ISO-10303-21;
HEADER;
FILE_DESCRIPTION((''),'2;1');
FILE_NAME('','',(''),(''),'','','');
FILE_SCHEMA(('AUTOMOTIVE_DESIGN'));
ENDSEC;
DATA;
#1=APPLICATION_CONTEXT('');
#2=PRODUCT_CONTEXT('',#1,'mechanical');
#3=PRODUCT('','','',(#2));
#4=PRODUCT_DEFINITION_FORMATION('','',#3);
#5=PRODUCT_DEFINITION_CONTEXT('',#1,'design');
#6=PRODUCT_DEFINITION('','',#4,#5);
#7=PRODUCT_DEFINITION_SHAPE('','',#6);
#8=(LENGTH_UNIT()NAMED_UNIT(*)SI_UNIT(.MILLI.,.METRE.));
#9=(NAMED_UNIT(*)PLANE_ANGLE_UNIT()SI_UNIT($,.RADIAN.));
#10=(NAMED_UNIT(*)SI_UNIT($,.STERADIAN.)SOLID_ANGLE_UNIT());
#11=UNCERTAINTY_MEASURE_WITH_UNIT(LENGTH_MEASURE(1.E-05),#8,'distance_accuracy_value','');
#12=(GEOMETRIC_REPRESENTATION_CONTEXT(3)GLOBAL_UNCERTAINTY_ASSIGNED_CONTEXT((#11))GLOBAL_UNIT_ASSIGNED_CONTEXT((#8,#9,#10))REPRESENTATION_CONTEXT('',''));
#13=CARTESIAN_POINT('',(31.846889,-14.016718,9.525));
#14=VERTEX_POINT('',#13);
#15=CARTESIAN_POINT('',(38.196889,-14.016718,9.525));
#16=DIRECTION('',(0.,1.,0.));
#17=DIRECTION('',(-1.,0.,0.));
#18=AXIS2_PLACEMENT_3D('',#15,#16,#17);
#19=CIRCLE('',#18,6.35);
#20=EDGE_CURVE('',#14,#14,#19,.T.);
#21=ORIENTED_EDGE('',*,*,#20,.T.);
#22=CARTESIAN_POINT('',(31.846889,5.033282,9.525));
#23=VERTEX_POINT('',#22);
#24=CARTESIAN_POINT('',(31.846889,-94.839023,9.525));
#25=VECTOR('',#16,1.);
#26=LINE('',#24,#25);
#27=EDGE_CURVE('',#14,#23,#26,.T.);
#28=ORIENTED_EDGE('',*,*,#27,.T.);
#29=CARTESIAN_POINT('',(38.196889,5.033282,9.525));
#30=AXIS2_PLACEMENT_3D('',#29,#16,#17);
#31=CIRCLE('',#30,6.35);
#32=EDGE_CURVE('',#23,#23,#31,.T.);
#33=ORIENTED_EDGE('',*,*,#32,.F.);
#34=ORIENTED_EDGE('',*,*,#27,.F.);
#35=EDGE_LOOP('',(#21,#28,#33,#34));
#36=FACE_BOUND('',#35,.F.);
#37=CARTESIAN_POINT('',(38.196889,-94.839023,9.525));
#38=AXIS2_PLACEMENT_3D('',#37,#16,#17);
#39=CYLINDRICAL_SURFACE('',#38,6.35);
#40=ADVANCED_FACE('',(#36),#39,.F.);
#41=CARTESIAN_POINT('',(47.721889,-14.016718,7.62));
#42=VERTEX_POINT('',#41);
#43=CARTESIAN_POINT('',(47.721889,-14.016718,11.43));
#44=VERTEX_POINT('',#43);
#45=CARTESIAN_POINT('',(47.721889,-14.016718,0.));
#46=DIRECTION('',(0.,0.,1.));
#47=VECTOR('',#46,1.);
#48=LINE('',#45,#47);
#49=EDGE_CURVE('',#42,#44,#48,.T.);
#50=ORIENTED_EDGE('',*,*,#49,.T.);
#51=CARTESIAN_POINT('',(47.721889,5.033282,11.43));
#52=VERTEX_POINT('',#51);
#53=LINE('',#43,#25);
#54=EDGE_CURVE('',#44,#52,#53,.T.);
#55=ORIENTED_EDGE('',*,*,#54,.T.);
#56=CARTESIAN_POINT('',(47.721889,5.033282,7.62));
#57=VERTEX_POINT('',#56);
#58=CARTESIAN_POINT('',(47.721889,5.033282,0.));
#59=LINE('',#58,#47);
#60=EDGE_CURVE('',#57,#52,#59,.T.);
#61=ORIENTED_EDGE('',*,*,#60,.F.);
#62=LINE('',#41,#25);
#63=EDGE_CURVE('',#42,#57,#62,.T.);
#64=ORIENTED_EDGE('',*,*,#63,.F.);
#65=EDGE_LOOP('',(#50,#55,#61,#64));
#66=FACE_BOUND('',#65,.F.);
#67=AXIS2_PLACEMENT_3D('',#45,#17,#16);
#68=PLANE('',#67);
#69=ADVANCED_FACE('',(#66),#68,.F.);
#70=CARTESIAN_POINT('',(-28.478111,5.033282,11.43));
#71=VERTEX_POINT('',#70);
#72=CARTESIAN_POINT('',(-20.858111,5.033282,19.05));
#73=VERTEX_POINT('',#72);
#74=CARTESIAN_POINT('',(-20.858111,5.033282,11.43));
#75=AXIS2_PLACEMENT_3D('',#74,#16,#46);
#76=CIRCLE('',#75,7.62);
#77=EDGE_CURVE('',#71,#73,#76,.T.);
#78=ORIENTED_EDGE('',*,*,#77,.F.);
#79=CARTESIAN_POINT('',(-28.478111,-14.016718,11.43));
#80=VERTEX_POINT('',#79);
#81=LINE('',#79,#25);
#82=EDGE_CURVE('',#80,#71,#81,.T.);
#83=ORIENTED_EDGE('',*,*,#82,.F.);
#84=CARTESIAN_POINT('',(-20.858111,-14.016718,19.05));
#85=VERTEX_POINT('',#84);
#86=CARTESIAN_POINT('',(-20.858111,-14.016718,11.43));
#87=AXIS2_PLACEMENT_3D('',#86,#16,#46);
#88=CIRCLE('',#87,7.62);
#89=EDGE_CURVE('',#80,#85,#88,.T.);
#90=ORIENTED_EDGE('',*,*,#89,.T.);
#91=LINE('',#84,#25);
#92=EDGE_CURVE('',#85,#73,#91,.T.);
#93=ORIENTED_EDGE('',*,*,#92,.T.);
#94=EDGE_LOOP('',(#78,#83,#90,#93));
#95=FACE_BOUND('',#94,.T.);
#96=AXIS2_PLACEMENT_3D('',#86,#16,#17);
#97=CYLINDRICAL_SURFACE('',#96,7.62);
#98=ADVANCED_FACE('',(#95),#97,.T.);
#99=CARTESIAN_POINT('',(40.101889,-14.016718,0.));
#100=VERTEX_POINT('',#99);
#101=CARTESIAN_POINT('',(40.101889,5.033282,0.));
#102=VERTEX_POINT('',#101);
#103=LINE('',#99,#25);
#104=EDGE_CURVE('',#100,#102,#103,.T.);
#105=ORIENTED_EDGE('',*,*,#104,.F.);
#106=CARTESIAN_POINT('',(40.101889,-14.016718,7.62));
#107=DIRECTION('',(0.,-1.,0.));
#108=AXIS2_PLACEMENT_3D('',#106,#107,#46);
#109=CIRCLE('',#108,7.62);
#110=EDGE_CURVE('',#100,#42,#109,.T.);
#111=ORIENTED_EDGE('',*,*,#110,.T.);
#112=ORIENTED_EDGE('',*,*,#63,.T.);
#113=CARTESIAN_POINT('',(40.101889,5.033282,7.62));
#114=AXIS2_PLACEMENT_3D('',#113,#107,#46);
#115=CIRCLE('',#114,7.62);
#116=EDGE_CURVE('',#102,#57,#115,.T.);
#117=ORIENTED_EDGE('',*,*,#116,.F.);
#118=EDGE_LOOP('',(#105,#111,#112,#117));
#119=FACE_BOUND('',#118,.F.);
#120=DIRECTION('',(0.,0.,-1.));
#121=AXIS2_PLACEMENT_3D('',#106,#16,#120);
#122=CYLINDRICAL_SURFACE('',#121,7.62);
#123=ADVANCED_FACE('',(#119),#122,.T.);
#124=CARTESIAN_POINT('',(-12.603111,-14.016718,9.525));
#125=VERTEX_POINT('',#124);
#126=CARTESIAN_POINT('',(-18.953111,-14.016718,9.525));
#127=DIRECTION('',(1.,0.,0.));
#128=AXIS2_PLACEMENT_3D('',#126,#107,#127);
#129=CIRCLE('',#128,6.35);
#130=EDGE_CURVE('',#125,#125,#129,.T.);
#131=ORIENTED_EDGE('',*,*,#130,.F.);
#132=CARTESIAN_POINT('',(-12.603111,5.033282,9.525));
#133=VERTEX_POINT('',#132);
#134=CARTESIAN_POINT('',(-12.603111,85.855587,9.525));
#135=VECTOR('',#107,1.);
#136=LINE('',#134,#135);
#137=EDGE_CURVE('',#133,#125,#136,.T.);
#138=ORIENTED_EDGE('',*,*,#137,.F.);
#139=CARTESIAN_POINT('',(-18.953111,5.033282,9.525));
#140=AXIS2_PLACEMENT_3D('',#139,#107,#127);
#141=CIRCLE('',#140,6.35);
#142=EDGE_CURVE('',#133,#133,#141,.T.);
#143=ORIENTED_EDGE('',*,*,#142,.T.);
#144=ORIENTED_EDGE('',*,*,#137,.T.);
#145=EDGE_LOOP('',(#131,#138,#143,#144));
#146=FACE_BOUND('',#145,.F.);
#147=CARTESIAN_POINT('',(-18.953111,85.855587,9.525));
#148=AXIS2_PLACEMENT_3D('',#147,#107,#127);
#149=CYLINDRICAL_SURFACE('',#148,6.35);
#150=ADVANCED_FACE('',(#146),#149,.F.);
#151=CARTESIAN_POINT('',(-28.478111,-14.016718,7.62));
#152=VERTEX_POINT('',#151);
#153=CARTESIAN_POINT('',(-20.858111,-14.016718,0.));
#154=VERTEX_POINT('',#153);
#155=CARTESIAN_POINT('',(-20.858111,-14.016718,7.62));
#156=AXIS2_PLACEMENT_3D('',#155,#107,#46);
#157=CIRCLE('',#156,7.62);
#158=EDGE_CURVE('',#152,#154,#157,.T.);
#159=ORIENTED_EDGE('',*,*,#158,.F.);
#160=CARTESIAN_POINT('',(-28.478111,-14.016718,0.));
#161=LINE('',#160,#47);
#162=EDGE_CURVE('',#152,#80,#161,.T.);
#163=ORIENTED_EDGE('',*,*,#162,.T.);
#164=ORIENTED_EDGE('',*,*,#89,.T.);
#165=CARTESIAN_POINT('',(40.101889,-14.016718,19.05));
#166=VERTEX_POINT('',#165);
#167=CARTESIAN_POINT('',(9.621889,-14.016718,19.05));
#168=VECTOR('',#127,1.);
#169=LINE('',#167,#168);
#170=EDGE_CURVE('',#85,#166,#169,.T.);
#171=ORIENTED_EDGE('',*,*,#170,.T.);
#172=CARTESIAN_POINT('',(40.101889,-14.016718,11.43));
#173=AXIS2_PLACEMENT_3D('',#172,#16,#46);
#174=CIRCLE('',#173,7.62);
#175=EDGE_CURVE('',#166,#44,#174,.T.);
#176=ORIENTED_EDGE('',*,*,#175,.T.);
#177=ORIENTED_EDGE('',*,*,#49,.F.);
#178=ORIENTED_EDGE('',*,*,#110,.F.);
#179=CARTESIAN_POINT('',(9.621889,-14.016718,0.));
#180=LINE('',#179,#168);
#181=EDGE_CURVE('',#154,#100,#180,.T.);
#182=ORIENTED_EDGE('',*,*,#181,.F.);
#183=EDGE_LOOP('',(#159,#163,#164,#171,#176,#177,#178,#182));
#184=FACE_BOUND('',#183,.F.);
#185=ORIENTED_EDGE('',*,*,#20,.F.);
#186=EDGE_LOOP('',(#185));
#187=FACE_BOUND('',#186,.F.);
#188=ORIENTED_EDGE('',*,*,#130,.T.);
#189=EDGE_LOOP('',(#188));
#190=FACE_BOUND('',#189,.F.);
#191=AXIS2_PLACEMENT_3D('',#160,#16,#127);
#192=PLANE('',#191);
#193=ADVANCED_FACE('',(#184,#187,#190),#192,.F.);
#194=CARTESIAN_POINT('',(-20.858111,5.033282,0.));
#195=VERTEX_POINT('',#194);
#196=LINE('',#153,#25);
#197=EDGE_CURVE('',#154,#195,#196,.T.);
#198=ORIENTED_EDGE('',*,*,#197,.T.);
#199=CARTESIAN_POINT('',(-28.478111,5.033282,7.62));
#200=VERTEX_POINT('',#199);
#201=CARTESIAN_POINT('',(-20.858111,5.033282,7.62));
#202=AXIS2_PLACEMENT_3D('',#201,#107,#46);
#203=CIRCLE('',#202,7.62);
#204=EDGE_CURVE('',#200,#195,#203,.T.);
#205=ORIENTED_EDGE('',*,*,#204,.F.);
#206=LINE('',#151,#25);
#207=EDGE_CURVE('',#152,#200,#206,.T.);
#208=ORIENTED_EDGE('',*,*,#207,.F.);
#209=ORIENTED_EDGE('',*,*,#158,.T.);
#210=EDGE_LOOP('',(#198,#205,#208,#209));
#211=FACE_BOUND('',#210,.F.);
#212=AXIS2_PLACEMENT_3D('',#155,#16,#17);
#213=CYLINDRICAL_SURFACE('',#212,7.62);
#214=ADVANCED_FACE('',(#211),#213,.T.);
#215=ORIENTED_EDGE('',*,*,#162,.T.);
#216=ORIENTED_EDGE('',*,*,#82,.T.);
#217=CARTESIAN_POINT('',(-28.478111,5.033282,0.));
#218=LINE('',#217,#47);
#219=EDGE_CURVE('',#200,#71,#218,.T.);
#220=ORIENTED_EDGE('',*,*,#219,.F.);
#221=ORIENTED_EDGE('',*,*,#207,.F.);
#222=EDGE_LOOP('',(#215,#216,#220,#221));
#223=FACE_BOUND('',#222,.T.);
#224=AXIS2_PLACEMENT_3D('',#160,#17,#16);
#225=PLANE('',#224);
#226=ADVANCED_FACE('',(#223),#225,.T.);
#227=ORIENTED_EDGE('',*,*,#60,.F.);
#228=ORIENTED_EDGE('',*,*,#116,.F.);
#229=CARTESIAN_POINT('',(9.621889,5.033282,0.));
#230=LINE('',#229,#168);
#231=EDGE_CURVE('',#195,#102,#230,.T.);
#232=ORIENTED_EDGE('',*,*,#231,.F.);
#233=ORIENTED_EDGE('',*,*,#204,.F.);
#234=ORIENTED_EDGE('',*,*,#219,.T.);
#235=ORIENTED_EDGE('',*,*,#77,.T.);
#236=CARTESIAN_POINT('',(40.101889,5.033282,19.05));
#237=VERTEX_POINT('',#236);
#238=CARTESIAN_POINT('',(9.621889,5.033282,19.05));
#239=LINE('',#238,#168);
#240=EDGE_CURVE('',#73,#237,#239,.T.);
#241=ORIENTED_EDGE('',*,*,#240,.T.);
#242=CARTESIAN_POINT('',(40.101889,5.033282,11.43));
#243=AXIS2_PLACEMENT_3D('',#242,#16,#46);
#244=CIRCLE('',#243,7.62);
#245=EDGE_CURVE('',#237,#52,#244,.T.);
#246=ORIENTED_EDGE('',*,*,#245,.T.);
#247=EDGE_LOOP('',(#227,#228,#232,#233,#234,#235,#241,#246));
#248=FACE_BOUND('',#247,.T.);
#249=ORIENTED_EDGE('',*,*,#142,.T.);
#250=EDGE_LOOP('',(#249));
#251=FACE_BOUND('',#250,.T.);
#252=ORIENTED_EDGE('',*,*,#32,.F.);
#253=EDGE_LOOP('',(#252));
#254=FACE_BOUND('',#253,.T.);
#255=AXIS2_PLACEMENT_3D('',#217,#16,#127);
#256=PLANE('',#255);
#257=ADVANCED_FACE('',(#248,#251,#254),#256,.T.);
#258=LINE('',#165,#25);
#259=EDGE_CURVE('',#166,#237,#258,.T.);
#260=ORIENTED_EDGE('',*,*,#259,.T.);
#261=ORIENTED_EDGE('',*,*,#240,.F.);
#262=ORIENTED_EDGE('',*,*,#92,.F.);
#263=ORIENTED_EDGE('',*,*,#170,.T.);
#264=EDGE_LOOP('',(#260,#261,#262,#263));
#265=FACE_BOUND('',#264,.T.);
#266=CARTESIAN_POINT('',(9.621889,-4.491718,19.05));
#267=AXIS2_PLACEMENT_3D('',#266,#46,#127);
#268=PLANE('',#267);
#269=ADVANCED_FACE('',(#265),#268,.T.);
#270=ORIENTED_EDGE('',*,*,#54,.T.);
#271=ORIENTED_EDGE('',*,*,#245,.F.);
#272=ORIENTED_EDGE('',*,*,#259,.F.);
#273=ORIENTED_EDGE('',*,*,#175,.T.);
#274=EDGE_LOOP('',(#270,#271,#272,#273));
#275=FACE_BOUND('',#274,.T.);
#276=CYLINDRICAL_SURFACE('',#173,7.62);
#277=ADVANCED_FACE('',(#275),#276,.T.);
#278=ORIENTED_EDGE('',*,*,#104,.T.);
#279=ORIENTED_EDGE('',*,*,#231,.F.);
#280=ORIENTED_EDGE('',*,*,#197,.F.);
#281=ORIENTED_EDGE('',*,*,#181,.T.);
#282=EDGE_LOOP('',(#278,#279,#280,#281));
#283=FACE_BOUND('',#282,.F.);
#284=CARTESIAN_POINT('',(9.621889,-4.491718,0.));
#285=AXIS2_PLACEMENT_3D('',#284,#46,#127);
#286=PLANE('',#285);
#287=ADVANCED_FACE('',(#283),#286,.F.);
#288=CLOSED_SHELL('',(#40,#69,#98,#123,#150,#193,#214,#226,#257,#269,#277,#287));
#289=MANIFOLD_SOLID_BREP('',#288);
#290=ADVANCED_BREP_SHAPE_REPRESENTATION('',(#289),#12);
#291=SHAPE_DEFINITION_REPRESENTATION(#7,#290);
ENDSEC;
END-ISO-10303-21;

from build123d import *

# Parameters (mm, degrees)
F0_W     = 76.2
F0_H     = 19.05
F1_DEPTH = 19.05
F3_D     = 12.7
F5_D     = 12.7
F6_R     = 7.62


with BuildPart() as f1:
    # F0 (on Top) → F1 (new body)
    with BuildSketch(Plane.XY):
        with Locations((9.621889, -4.491718)):
            Rectangle(F0_W, F0_H)
    extrude(amount=F1_DEPTH)

    # F3 (through all)
    with Locations(Plane(origin=(0, 5.033282, 0), x_dir=(-1, 0, 0), z_dir=(0, 1, 0))):
        with Locations((18.953111, 9.525)):
            Hole(F3_D / 2)

    # F5 (through all)
    with Locations(Plane.XZ.offset(14.016718)):
        with Locations((38.196889, 9.525)):
            Hole(F5_D / 2)

    # F6
    f6_edges = [f1.edges().sort_by_distance(p)[0] for p in [
        (47.721889, -4.491718, 19.05),
        (47.721889, -4.491718, 0),
        (-28.478111, -4.491718, 19.05),
        (-28.478111, -4.491718, 0),
    ]]
    fillet(f6_edges, radius=F6_R)


solid = f1.part
